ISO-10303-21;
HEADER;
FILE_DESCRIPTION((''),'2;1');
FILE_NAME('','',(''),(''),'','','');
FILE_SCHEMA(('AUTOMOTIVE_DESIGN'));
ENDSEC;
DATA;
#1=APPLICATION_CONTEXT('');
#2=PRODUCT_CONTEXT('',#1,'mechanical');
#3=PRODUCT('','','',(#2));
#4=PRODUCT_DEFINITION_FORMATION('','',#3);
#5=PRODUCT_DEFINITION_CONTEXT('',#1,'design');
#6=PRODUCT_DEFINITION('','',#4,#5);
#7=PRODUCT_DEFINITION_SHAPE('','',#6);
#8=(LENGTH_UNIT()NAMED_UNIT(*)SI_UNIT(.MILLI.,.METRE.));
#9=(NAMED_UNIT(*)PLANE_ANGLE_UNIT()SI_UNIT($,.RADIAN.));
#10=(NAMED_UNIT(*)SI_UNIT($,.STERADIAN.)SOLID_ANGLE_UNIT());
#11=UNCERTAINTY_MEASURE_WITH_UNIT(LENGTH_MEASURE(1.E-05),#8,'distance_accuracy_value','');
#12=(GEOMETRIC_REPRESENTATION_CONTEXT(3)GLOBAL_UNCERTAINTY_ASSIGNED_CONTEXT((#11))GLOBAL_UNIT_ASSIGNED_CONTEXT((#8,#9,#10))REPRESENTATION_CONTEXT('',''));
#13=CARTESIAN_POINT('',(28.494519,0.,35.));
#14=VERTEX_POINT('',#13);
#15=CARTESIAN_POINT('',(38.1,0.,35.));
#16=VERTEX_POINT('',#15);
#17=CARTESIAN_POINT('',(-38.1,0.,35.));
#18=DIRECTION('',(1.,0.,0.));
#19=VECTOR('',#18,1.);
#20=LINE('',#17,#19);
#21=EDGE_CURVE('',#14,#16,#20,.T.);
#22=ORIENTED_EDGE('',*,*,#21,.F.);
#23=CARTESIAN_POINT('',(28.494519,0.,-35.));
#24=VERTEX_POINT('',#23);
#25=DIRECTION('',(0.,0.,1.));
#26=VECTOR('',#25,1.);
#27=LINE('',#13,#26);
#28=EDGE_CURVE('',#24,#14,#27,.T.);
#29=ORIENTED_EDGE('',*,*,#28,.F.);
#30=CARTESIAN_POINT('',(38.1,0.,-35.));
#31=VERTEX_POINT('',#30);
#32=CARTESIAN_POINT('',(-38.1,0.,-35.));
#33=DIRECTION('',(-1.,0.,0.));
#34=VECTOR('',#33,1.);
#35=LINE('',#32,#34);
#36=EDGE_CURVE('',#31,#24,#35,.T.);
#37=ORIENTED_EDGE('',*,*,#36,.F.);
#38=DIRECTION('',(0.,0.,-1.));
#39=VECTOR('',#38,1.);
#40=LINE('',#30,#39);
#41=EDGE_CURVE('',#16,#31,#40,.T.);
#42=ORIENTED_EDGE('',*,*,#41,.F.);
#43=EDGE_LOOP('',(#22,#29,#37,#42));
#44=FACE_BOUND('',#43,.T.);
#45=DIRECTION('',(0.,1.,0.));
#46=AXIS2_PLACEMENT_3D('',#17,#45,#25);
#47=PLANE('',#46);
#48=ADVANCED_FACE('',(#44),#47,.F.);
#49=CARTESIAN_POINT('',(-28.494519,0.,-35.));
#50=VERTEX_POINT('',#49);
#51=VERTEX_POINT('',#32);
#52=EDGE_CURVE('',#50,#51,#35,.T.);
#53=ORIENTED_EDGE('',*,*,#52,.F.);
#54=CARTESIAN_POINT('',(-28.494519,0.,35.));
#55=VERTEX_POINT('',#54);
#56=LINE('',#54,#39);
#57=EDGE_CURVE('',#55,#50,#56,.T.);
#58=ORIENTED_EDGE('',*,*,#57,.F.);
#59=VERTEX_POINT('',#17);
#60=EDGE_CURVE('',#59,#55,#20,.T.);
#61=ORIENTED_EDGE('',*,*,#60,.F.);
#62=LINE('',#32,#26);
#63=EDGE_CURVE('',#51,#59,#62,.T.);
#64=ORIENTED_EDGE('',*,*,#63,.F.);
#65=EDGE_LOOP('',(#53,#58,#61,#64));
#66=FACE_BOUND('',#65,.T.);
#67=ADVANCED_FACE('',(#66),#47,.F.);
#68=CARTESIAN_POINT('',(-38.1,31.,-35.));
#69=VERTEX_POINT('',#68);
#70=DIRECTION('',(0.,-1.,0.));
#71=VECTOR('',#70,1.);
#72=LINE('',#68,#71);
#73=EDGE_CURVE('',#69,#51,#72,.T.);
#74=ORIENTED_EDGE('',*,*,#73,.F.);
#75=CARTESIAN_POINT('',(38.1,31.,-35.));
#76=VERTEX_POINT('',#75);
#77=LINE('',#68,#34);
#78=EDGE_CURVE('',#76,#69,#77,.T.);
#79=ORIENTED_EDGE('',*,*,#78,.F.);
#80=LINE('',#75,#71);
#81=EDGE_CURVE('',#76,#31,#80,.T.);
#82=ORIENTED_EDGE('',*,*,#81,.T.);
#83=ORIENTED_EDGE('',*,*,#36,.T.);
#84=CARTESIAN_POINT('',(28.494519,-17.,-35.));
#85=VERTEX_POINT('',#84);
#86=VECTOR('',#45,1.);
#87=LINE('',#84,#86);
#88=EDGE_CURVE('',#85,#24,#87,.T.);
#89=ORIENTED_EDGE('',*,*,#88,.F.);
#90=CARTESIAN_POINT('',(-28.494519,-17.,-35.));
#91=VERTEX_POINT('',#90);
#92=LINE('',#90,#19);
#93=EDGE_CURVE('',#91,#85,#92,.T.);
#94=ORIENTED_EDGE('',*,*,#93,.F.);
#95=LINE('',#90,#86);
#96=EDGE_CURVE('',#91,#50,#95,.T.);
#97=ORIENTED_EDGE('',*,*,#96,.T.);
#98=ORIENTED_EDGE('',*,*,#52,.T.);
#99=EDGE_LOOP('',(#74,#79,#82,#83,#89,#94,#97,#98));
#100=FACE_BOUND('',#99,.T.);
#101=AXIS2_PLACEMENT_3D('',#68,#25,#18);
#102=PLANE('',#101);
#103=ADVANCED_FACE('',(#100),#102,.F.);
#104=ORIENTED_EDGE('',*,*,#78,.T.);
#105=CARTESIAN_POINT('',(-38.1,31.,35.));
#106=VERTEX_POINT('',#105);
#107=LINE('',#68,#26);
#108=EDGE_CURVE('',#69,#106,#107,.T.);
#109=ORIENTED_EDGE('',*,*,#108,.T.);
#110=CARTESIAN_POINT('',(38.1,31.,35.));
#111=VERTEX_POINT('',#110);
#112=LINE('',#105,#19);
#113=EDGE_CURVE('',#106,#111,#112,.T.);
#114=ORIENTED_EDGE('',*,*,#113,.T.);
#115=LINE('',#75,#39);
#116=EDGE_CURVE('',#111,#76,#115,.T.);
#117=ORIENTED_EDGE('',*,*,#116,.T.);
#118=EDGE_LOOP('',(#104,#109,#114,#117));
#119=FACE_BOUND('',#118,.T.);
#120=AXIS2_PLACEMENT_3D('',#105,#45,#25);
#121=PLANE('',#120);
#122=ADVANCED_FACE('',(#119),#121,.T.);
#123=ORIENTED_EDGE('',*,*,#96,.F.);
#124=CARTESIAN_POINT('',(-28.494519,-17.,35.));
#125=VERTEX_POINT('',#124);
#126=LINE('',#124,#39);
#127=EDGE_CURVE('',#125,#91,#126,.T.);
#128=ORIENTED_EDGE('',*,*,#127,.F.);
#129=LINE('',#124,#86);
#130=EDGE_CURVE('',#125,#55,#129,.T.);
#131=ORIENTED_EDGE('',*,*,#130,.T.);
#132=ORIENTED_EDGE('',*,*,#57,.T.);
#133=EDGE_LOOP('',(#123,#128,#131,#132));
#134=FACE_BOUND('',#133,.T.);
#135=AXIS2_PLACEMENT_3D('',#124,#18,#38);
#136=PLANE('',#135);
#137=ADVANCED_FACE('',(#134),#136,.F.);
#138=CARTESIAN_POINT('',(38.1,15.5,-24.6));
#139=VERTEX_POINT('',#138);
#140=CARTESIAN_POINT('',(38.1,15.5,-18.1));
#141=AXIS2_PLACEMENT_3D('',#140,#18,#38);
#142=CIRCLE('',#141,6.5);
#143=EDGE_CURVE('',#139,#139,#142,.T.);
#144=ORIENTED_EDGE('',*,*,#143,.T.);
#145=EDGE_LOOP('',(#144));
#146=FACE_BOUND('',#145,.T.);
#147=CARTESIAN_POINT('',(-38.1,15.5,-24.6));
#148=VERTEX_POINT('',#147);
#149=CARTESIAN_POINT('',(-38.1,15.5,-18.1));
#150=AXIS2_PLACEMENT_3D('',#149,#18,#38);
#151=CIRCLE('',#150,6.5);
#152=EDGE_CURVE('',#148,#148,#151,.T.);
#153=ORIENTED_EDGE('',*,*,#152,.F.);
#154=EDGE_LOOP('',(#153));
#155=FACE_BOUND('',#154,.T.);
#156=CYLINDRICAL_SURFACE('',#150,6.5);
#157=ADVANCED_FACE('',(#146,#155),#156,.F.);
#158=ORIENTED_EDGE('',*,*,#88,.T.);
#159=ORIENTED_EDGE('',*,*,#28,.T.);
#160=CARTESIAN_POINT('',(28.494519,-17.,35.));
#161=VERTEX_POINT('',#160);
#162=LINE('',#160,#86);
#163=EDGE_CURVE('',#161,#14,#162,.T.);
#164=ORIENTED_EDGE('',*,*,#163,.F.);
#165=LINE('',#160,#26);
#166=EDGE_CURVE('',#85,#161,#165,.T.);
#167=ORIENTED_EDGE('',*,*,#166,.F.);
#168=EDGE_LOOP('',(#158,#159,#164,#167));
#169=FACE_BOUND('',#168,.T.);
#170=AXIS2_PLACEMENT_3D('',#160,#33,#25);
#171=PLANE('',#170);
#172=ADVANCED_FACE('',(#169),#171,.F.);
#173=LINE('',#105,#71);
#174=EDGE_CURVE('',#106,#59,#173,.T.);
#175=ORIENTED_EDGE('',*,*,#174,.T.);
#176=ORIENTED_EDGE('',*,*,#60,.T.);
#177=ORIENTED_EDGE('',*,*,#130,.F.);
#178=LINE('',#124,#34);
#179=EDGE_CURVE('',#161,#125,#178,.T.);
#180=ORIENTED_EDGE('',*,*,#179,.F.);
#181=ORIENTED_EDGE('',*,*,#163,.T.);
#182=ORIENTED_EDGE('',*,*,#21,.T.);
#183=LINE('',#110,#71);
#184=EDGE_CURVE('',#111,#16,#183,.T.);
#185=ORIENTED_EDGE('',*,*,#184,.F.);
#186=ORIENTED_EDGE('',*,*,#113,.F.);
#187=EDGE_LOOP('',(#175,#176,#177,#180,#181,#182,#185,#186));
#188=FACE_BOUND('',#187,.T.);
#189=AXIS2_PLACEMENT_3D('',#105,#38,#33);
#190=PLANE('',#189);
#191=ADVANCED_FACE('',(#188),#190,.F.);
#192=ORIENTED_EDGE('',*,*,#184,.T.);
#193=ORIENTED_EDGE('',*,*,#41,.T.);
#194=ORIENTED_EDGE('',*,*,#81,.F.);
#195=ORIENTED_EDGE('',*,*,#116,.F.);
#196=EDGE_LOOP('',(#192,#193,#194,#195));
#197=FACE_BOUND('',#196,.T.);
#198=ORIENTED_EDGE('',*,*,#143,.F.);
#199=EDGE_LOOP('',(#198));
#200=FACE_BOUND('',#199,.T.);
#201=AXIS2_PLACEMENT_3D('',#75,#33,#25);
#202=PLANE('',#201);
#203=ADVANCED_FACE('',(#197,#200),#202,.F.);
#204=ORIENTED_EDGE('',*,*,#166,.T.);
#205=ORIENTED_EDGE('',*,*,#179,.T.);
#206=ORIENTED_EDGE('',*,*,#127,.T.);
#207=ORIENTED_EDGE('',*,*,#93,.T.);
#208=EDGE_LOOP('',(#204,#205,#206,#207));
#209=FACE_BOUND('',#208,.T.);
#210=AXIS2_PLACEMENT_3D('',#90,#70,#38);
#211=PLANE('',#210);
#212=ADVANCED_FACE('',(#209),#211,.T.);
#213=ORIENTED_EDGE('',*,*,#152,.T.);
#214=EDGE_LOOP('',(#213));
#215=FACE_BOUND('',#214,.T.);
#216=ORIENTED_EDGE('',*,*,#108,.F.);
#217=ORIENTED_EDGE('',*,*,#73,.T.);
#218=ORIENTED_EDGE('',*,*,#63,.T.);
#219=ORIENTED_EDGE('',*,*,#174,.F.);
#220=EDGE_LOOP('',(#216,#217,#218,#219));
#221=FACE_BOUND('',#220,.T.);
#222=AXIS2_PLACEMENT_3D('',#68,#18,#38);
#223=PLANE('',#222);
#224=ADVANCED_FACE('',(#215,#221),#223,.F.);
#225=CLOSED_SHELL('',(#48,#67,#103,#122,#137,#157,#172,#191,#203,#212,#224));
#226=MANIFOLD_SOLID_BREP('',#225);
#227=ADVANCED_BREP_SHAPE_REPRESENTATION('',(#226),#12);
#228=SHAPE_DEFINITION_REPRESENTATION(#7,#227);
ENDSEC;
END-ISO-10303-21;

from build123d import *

# Parameters (mm, degrees)
SKETCH1_W           = 76.2
SKETCH1_H           = 70
BOSS_EXTRUDE1_DEPTH = 31
SKETCH2_R           = 6.5
CUT_EXTRUDE1_DEPTH  = 90.400447426
SKETCH4_W           = 56.989038302
SKETCH4_H           = 70
BOSS_EXTRUDE2_DEPTH = 17


with BuildPart() as part:
    # Sketch1 → Boss-Extrude1 (new body)
    with BuildSketch(Plane(origin=(0, 0, 0), x_dir=(1, 0, 0), z_dir=(0, 1, 0))):
        Rectangle(SKETCH1_W, SKETCH1_H)
    extrude(amount=BOSS_EXTRUDE1_DEPTH)

    # Sketch2 → Cut-Extrude1 (cut, through all)
    with BuildSketch(Plane(origin=(38.1, 0, 0), x_dir=(0, 0, -1), z_dir=(1, 0, 0))):
        with Locations((18.1, 15.5)):
            Circle(SKETCH2_R)
    extrude(amount=-CUT_EXTRUDE1_DEPTH, mode=Mode.SUBTRACT)

    # Sketch4 → Boss-Extrude2 (add)
    with BuildSketch(Plane.XZ):
        Rectangle(SKETCH4_W, SKETCH4_H)
    extrude(amount=BOSS_EXTRUDE2_DEPTH)


solid = part.part
